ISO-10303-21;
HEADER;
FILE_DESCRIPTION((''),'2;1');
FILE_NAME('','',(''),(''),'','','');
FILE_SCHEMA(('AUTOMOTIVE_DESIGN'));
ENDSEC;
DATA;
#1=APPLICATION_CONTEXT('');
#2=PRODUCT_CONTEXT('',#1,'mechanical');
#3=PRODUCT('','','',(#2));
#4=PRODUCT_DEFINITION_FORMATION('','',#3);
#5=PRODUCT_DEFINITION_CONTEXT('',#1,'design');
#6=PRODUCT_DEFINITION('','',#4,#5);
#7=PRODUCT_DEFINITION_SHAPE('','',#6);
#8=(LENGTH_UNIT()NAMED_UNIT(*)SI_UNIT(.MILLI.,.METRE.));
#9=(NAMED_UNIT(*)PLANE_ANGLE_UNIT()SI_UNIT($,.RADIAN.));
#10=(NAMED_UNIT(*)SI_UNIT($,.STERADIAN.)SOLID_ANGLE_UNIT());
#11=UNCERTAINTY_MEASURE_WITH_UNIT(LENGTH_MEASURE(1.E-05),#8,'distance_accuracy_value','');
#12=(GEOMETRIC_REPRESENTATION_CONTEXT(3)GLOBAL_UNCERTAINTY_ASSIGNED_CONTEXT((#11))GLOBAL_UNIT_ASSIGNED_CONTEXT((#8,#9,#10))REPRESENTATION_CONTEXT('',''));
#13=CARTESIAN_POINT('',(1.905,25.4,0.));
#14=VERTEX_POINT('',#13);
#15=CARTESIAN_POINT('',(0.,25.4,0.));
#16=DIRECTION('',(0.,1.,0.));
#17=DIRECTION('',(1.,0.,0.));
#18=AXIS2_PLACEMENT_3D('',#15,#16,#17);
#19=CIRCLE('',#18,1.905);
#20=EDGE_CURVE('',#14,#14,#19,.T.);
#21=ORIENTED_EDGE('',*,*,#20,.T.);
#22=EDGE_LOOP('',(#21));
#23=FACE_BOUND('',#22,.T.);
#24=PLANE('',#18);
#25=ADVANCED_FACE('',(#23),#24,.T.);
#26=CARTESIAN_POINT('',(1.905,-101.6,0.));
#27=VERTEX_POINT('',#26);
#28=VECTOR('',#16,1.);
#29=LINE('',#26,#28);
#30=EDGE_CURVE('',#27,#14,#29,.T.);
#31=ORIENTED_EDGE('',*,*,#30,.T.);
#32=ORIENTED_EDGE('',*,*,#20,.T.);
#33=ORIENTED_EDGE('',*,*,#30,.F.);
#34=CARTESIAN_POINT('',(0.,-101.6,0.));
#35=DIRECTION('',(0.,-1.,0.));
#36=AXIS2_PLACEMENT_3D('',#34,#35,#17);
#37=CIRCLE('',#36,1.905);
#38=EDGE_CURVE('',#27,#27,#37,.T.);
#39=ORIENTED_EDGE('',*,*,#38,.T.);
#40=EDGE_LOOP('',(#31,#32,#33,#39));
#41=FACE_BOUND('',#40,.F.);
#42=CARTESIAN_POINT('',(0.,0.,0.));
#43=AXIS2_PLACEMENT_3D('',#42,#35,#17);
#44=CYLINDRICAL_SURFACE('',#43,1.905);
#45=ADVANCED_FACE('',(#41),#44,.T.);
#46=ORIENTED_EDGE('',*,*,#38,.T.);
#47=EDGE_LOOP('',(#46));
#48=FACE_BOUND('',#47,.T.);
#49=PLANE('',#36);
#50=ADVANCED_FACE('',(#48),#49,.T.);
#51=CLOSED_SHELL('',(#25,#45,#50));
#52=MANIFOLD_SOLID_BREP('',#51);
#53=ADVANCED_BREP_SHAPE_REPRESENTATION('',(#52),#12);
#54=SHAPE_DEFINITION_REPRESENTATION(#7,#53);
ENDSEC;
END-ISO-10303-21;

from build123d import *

# Parameters (mm, degrees)
F0_R      = 1.905
F1_DEPTH  = 101.6
F1_FACE_R = 1.905
F2_DEPTH  = 25.4


with BuildPart() as f1:
    # F0 (on Front) → F1 (new body)
    with BuildSketch(Plane.XZ):
        Circle(F0_R)
    extrude(amount=F1_DEPTH)

    # F1_face (on face) → F2 (join)
    with BuildSketch(Plane(origin=(0, 0, 0), x_dir=(1, 0, 0), z_dir=(0, 1, 0))):
        Circle(F1_FACE_R)
    extrude(amount=F2_DEPTH)


solid = f1.part
